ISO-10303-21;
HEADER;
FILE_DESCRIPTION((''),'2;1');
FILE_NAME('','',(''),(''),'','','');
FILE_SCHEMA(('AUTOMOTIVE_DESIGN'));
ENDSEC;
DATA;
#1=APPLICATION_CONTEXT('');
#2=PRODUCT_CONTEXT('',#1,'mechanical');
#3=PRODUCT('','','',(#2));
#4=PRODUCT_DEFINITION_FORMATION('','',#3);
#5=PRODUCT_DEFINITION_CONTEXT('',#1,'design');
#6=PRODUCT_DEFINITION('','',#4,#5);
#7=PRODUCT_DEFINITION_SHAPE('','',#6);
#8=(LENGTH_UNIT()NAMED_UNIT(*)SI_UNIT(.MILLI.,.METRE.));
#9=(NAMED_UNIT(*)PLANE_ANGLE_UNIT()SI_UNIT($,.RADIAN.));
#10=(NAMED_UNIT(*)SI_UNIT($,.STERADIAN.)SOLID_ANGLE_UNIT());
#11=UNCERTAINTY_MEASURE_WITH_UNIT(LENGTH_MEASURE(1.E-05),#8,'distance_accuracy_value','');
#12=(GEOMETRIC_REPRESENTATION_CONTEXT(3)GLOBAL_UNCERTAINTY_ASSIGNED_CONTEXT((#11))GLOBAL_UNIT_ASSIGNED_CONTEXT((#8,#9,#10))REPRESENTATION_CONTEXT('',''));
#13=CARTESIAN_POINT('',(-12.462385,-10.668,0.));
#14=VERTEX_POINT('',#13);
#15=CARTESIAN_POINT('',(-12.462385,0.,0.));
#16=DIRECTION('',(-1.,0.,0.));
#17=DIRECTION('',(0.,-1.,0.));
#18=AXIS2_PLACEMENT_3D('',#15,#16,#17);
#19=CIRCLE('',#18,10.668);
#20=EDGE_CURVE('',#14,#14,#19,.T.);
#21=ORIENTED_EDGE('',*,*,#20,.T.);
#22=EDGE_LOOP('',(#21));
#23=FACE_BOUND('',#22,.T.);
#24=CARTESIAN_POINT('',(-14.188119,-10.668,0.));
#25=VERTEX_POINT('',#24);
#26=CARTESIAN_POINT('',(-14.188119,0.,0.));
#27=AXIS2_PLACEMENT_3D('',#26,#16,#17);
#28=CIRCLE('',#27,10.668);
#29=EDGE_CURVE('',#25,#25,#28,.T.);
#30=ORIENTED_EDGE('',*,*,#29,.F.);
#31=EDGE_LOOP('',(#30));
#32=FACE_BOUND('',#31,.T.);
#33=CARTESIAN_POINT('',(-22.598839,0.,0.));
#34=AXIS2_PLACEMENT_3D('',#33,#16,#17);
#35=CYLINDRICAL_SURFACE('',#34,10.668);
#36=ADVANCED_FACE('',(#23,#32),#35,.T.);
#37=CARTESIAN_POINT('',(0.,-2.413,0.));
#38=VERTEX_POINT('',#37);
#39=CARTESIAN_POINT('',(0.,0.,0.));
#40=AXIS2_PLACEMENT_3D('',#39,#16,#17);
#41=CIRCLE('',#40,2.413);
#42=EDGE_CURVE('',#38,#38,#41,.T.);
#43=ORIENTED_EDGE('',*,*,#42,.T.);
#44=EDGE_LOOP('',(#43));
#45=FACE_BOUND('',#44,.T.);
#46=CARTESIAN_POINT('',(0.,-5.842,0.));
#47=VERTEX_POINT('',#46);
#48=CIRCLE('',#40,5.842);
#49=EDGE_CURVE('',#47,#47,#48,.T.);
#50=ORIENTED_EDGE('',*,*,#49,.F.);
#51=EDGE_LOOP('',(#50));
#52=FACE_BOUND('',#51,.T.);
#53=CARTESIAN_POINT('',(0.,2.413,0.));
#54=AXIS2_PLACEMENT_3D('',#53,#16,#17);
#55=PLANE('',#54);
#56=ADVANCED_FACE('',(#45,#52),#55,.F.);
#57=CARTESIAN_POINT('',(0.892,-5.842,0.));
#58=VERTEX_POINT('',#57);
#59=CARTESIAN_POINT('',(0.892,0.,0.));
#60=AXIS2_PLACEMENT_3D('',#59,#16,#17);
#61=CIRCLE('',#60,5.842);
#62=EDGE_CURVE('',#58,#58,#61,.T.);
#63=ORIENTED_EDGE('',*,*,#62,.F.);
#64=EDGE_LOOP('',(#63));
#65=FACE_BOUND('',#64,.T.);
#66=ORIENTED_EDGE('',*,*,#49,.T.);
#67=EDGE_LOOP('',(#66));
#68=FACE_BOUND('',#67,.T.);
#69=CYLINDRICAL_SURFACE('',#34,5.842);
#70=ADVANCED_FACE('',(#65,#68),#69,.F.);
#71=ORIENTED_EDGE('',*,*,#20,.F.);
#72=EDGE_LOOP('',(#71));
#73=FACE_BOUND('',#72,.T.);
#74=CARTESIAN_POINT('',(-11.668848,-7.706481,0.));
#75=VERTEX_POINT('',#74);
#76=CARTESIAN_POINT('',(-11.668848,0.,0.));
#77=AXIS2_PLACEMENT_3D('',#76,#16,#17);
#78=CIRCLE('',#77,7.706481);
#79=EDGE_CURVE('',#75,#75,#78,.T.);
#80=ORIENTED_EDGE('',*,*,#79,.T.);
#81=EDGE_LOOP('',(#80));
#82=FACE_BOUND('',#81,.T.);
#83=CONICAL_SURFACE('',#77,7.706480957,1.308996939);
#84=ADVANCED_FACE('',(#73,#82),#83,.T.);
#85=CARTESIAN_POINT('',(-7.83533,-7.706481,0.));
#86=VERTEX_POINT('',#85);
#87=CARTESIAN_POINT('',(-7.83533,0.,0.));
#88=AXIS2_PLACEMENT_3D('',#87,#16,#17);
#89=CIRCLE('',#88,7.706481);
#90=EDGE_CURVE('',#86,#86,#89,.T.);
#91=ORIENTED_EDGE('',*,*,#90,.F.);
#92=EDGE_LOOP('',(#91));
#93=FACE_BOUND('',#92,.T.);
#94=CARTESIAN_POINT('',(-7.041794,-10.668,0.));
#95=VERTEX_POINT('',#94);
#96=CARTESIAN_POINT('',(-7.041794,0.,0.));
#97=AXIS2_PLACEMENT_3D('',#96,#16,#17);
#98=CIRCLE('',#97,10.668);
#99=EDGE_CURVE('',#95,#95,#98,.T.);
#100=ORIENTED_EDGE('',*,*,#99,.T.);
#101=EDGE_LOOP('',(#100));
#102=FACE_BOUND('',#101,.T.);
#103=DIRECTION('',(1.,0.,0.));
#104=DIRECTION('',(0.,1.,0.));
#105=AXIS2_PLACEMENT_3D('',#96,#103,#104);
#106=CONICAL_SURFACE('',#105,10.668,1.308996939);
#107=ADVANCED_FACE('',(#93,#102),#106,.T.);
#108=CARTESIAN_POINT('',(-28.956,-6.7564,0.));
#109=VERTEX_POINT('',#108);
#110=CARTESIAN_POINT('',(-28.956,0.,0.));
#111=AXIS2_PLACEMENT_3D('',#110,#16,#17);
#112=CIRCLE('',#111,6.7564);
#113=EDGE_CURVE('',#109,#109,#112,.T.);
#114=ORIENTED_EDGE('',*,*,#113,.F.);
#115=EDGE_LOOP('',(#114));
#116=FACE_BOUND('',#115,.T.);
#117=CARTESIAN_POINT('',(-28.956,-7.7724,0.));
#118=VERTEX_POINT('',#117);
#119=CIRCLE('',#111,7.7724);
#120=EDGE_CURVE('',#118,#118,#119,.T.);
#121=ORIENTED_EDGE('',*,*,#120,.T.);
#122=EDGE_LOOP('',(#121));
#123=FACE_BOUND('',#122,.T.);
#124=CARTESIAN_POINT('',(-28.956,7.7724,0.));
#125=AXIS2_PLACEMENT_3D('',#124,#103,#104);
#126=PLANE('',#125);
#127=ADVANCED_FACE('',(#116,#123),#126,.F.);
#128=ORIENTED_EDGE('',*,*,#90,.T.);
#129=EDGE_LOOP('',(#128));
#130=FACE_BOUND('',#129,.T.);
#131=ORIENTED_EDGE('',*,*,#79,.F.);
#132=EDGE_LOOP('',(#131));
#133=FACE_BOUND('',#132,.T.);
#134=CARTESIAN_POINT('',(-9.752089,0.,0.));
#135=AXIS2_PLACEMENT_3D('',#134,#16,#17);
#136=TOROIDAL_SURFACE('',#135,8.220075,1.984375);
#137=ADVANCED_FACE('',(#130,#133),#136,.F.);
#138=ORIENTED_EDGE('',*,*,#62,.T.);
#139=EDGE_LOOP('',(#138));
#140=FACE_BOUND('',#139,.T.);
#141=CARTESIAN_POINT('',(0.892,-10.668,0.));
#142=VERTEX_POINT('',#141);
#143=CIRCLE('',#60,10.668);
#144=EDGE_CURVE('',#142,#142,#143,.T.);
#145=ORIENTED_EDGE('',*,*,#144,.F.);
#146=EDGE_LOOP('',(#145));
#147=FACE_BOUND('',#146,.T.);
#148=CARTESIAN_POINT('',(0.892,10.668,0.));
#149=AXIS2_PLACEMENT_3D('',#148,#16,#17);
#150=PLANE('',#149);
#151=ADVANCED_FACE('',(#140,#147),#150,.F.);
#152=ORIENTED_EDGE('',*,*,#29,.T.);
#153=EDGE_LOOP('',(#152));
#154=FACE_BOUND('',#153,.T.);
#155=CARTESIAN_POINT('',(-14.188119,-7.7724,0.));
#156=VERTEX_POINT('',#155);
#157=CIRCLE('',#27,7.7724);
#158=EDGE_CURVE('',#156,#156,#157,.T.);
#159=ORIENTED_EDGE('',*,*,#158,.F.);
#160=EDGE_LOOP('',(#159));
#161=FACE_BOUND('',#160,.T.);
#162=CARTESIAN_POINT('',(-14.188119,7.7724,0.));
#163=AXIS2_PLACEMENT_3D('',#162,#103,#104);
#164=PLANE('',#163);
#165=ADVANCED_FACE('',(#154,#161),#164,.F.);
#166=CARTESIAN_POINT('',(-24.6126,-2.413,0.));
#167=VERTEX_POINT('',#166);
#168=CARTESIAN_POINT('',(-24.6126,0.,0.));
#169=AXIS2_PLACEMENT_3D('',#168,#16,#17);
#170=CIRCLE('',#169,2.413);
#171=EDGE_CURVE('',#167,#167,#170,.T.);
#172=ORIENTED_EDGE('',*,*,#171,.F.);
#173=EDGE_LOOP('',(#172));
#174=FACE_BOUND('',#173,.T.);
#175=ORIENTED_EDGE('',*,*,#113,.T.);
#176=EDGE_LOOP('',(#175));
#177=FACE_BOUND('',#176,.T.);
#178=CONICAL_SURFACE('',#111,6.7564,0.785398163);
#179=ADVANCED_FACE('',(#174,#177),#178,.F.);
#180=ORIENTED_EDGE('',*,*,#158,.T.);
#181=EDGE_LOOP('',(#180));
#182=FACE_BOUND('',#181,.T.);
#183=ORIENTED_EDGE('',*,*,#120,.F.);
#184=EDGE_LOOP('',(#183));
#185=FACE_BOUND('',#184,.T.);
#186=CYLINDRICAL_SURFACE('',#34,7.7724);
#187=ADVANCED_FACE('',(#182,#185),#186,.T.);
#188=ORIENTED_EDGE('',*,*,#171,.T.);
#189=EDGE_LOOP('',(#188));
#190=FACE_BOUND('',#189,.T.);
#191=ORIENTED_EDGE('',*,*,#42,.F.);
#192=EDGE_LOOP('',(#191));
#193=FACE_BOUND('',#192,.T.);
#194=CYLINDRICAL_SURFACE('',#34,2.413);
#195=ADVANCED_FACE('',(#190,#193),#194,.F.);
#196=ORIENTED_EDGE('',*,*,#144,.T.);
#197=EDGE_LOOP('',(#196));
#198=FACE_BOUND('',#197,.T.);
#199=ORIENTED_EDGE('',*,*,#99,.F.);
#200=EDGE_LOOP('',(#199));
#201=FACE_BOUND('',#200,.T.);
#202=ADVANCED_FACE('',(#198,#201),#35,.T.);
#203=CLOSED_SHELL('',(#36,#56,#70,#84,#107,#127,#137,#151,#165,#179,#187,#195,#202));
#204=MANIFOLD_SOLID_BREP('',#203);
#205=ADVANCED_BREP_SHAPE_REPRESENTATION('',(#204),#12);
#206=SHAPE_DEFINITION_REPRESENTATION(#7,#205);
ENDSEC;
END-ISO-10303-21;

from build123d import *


with BuildPart() as part:
    # Sketch1 → Revolve1 (revolve)
    with BuildSketch(Plane.XY):
        with BuildLine():
            Line((-7.83533025, 7.706480957), (-7.041793614, 10.668))
            Line((-7.041793614, 10.668), (0.892, 10.668))
            Line((0.892, 10.668), (0.892, 5.842))
            Line((0.892, 5.842), (0, 5.842))
            Line((0, 5.842), (0, 2.413))
            Line((0, 2.413), (-24.6126, 2.413))
            Line((-24.6126, 2.413), (-28.956, 6.7564))
            Line((-28.956, 6.7564), (-28.956, 7.7724))
            Line((-28.956, 7.7724), (-14.188119198, 7.7724))
            Line((-14.188119198, 7.7724), (-14.188119198, 10.668))
            Line((-14.188119198, 10.668), (-12.462385009, 10.668))
            Line((-12.462385009, 10.668), (-11.668848373, 7.706480957))
            ThreePointArc((-11.668848373, 7.706480957), (-9.752089311, 6.2357), (-7.83533025, 7.706480957))
        make_face()
    revolve(axis=Axis((-22.598839253, 0, 0), (1, 0, 0)))


solid = part.part
